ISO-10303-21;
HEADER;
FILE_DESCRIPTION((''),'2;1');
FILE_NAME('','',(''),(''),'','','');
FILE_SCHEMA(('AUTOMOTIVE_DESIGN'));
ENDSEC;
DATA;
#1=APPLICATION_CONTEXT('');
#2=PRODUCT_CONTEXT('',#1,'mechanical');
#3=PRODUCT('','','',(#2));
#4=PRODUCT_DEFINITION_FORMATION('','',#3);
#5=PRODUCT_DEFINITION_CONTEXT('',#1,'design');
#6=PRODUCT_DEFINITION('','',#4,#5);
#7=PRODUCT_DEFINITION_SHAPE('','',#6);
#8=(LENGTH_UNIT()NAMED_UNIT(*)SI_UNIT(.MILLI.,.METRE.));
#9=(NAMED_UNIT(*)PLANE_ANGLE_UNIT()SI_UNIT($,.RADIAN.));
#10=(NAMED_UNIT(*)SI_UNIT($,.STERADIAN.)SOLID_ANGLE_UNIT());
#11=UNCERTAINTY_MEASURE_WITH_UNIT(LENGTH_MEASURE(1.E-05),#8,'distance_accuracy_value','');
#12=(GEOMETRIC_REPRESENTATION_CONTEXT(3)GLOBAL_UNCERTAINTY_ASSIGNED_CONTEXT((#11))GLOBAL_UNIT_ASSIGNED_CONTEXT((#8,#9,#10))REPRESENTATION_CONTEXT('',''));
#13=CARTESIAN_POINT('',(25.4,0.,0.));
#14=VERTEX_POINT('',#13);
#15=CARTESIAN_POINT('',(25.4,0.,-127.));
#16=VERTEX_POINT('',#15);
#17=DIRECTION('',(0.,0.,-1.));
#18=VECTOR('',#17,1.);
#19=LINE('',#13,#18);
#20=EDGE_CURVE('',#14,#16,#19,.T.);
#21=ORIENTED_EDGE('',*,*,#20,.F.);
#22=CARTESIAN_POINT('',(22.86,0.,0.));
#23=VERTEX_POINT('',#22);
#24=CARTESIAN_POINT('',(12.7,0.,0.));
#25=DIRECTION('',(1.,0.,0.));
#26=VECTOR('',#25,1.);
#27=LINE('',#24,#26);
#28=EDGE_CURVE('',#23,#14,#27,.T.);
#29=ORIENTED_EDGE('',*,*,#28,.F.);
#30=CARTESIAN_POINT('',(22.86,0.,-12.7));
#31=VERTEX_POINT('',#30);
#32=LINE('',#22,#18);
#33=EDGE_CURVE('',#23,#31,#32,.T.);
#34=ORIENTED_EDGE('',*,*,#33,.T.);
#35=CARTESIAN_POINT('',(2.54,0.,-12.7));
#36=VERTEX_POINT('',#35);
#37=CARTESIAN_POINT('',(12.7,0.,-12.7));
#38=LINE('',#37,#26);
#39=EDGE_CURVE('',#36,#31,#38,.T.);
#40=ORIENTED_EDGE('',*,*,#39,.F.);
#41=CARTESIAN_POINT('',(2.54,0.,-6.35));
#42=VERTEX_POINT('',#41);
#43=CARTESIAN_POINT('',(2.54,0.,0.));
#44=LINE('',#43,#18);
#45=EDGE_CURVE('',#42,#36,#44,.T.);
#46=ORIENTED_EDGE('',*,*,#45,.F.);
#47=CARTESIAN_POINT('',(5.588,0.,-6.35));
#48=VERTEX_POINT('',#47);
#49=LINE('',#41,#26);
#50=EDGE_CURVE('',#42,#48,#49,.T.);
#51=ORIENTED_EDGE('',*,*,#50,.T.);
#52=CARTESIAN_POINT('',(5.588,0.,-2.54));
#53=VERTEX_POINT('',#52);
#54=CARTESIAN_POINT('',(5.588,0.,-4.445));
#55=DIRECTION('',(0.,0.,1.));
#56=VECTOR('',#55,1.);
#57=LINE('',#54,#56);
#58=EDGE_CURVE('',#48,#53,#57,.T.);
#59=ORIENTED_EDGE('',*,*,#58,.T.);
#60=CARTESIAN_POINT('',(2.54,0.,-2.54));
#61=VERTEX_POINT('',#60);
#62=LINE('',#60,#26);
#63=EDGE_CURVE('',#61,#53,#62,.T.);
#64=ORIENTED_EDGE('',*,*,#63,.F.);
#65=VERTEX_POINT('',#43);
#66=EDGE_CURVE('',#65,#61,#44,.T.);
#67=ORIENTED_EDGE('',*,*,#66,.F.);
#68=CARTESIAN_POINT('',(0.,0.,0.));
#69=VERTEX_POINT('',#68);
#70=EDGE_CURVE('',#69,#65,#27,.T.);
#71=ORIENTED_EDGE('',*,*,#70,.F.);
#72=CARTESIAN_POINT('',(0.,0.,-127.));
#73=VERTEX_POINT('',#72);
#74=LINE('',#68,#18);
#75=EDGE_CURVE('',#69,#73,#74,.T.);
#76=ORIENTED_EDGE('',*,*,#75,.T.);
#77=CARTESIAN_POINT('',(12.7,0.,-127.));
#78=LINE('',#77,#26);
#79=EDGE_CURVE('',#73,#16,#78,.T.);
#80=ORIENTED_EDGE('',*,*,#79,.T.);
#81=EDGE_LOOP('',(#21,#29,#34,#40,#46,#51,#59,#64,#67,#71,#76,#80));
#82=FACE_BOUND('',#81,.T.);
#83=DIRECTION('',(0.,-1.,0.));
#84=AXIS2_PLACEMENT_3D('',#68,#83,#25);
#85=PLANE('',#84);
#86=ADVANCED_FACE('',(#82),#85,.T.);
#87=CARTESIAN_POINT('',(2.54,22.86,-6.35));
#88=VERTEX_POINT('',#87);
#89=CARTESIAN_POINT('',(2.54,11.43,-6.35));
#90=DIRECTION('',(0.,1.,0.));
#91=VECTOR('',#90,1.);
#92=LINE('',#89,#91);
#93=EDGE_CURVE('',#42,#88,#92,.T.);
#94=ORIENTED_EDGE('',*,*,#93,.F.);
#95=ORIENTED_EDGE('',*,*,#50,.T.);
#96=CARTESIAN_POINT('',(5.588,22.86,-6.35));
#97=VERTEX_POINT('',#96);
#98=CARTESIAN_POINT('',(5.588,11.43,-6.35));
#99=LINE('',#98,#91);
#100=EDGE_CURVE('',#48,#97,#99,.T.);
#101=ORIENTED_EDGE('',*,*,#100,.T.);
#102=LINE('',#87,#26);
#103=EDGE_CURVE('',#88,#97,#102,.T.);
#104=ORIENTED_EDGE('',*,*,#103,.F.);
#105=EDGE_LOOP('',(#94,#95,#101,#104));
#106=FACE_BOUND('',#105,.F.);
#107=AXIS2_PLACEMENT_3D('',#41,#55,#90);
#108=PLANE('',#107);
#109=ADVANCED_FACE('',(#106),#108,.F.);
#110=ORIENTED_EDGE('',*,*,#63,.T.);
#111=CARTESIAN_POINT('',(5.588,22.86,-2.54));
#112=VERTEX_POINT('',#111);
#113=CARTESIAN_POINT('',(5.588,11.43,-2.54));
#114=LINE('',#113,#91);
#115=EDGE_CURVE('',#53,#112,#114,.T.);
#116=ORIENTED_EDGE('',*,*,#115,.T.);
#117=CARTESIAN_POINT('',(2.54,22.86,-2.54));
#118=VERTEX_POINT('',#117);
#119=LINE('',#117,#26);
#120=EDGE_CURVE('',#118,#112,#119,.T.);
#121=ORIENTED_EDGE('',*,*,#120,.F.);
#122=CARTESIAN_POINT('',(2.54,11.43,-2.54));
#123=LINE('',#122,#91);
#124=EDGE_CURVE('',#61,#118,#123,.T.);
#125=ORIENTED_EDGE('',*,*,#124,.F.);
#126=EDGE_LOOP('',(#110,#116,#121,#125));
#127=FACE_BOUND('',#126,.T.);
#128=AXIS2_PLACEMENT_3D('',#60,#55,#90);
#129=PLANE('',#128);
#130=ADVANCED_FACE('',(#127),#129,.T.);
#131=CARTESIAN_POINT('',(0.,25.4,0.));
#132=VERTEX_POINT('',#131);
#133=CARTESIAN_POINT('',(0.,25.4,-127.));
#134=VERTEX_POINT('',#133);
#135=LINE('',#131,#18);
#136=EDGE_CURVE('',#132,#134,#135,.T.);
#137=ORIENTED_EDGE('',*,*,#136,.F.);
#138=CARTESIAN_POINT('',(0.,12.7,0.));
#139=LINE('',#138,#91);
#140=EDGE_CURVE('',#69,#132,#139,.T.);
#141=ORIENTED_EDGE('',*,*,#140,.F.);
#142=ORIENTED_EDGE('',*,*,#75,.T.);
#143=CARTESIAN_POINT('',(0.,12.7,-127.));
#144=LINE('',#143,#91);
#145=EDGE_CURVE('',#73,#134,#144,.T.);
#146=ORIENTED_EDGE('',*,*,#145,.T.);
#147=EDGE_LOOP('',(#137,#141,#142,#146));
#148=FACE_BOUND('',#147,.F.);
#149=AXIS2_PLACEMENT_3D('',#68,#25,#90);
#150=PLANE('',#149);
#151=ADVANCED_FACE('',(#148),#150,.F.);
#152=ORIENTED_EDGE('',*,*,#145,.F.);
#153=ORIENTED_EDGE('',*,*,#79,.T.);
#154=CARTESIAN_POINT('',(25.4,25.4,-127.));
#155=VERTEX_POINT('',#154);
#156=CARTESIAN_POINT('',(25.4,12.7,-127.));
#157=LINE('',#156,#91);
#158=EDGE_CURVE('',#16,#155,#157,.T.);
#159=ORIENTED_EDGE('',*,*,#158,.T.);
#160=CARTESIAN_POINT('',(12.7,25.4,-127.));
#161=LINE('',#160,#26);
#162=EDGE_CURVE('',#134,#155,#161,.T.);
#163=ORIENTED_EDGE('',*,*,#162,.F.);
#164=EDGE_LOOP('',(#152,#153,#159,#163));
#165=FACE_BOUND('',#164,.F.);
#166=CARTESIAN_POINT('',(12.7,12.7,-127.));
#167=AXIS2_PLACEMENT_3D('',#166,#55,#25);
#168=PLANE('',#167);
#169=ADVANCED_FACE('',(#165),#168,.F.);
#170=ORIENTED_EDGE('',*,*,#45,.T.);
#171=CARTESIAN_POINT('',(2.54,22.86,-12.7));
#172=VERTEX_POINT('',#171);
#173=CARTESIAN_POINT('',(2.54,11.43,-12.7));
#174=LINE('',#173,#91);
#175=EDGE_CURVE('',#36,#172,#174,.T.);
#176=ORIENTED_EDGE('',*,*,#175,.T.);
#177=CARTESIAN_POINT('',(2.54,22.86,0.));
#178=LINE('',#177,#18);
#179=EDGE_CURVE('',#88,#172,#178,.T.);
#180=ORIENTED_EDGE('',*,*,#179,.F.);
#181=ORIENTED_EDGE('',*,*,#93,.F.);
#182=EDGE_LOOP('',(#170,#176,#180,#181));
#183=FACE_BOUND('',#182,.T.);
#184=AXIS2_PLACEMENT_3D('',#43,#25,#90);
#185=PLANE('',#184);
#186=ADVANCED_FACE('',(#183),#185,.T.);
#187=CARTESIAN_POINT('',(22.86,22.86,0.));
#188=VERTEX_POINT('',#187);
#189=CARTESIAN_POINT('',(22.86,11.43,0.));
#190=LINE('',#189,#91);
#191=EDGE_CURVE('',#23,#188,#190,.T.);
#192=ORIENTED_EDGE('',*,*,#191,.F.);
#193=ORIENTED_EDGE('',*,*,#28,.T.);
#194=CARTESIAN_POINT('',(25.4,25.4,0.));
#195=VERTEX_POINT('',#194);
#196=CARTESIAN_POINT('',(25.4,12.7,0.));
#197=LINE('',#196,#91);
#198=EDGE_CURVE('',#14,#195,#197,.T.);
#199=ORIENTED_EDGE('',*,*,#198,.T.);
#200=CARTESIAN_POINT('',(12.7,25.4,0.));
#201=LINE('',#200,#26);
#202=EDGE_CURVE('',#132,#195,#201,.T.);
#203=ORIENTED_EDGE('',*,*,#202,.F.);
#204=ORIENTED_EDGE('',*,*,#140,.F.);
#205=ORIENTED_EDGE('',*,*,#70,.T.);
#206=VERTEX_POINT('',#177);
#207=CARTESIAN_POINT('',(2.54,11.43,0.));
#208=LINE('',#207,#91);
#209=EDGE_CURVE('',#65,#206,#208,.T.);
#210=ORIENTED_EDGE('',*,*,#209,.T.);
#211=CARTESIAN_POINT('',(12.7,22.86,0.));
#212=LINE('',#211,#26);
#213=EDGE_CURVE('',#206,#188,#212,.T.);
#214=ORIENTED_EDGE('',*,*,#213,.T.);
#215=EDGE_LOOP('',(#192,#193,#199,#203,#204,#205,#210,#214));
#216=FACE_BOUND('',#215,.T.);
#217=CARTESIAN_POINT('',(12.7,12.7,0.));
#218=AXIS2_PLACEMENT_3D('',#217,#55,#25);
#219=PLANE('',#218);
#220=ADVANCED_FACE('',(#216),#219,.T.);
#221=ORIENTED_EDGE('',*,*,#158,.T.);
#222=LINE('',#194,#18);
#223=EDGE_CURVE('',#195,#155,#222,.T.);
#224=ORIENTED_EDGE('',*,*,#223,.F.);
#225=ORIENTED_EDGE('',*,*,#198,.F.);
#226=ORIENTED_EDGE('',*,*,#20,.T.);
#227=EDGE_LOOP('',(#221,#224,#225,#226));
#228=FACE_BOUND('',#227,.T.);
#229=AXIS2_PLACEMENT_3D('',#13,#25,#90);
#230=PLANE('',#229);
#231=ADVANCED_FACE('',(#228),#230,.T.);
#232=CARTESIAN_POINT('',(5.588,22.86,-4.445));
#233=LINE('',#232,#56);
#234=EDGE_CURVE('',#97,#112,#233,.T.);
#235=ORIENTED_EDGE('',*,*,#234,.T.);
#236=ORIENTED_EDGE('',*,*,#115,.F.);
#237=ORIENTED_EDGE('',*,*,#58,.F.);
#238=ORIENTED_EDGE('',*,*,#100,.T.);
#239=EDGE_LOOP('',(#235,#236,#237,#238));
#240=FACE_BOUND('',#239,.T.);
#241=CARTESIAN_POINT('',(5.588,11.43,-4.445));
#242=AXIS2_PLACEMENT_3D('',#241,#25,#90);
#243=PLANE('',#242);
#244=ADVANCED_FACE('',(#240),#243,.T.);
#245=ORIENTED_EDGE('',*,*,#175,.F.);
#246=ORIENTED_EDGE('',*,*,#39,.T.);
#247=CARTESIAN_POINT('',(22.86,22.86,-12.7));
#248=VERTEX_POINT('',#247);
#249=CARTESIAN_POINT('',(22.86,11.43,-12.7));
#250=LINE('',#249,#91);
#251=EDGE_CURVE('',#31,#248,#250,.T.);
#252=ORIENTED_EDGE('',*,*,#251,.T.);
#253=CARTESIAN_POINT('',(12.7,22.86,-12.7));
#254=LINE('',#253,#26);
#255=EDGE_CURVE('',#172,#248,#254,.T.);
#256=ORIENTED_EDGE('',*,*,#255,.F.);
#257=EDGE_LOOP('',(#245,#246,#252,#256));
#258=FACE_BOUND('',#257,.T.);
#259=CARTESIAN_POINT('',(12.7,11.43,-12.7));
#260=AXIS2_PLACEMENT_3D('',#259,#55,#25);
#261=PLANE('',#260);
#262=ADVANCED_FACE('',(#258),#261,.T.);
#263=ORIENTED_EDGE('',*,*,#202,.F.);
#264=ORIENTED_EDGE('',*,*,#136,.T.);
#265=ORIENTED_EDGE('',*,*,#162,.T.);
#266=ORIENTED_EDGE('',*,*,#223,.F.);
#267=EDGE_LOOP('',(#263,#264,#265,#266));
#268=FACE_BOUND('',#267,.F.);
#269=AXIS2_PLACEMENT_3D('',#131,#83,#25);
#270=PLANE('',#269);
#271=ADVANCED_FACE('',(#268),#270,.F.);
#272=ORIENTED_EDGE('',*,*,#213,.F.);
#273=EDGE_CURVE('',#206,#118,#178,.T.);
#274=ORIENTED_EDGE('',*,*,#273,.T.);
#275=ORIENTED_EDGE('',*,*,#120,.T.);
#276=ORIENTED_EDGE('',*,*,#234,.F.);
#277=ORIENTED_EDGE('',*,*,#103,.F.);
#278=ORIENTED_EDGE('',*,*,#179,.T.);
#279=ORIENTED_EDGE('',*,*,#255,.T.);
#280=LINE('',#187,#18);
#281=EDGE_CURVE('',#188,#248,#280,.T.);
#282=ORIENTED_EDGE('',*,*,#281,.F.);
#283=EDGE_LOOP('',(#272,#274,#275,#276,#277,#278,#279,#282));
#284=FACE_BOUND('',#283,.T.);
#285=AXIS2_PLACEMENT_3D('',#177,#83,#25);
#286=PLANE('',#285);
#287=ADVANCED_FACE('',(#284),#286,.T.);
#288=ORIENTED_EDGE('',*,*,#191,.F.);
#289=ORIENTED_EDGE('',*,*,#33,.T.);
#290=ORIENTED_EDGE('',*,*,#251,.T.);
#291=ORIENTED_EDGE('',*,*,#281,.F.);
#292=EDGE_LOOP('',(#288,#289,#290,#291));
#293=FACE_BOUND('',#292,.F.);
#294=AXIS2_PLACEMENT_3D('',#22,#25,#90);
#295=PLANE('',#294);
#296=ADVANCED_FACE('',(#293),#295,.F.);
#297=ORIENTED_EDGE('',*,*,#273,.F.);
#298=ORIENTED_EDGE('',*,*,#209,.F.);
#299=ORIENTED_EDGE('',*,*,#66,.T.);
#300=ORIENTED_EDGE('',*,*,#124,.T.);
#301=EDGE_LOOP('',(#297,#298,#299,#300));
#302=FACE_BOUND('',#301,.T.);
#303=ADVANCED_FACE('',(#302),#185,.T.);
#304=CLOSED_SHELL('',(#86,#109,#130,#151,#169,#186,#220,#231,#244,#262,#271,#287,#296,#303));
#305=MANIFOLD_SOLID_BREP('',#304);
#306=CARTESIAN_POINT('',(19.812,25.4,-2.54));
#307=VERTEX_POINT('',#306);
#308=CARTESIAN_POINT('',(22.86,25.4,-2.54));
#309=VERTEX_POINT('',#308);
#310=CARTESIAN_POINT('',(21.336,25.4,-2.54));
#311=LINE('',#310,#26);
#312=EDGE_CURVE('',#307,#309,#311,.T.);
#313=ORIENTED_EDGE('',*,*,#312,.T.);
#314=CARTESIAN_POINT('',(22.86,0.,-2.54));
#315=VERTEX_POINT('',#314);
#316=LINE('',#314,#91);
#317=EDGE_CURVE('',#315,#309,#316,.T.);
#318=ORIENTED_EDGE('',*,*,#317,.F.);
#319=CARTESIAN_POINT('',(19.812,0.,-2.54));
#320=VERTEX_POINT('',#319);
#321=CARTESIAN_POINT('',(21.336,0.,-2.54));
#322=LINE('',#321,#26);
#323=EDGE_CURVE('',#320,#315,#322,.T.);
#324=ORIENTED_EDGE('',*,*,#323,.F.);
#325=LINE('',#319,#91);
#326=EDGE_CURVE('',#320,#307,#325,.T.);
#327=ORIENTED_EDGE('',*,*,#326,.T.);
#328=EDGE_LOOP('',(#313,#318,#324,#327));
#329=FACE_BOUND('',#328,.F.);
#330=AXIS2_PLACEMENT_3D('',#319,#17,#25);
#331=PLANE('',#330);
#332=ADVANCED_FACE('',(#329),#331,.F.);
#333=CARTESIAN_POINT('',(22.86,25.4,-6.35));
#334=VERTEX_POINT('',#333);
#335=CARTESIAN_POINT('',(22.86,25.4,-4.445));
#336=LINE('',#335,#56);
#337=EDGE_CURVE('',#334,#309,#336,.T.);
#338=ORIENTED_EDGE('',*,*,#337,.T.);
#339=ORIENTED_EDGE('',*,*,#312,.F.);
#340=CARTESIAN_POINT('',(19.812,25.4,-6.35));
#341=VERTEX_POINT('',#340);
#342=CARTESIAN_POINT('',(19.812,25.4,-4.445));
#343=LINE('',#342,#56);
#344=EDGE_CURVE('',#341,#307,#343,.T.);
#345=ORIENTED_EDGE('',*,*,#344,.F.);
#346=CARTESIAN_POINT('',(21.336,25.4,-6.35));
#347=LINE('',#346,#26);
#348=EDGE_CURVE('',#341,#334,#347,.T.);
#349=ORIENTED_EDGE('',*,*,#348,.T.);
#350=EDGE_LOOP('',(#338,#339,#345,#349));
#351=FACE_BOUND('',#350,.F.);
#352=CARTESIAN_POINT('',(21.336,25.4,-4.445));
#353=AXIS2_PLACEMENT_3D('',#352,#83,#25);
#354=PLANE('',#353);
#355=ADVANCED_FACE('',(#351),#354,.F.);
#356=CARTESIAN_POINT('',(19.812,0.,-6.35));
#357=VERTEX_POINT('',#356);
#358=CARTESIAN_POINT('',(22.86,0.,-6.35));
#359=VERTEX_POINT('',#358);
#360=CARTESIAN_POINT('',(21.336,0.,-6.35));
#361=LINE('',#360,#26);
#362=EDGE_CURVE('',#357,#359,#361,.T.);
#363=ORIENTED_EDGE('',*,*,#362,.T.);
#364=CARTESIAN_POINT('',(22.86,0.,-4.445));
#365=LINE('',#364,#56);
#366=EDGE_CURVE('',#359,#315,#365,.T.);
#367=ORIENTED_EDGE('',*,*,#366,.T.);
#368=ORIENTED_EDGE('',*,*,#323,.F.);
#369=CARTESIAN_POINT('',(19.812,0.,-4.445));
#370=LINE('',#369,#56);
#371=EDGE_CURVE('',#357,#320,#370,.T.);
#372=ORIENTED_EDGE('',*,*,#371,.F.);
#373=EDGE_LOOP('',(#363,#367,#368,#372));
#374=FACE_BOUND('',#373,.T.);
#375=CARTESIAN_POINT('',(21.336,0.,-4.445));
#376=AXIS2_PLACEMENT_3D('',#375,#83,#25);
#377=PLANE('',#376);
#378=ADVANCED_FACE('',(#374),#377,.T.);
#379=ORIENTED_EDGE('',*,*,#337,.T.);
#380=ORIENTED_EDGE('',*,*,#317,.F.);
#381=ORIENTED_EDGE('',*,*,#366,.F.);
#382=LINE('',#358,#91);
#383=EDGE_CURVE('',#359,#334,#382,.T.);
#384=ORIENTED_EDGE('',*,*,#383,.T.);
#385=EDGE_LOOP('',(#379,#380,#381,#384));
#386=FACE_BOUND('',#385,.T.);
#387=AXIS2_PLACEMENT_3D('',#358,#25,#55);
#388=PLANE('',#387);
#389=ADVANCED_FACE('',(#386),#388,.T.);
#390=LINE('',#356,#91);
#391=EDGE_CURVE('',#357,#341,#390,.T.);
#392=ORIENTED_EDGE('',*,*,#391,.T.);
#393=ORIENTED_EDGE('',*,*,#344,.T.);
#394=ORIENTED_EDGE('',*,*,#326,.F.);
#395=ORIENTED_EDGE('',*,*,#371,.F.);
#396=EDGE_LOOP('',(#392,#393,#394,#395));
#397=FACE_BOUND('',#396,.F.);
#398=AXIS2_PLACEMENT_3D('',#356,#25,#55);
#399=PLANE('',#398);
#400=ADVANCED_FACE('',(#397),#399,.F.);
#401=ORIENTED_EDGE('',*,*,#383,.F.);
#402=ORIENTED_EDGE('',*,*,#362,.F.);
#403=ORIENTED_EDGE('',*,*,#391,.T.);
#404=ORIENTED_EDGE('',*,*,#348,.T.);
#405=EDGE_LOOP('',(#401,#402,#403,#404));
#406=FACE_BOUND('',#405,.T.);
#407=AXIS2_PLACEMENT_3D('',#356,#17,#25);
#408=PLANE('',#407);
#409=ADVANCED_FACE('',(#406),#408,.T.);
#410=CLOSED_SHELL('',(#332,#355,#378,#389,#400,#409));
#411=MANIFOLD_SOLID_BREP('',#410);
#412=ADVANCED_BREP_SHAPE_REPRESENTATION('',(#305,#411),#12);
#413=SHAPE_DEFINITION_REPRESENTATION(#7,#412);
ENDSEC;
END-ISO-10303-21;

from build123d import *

# Parameters (mm, degrees)
F0_W     = 25.4
F0_H     = 25.4
F1_DEPTH = 127
F2_W     = 20.32
F2_H     = 22.86
F3_DEPTH = 12.7
F4_W     = 22.86
F4_H     = 3.81
F5_DEPTH = 3.048
F6_W     = 3.048
F6_H     = 3.81
F7_DEPTH = 25.4


with BuildPart() as f1:
    # F0 (on Top) → F1 (new body)
    with BuildSketch(Plane.XY):
        with Locations((12.7, 12.7)):
            Rectangle(F0_W, F0_H)
    extrude(amount=-F1_DEPTH)

    # F2 (on face) → F3 (cut)
    with BuildSketch(Plane.XY):
        with Locations((12.7, 11.43)):
            Rectangle(F2_W, F2_H)
    extrude(amount=-F3_DEPTH, mode=Mode.SUBTRACT)

    # F4 (on face) → F5 (join)
    with BuildSketch(Plane.YZ.offset(2.54)):
        with Locations((11.43, -4.445)):
            Rectangle(F4_W, F4_H)
    extrude(amount=F5_DEPTH)


with BuildPart() as f7:
    # F6 (on face) → F7 (new body)
    with BuildSketch(Plane.XZ):
        with Locations((21.336, -4.445)):
            Rectangle(F6_W, F6_H)
    extrude(amount=-F7_DEPTH)


solid = Compound([f1.part, f7.part])
